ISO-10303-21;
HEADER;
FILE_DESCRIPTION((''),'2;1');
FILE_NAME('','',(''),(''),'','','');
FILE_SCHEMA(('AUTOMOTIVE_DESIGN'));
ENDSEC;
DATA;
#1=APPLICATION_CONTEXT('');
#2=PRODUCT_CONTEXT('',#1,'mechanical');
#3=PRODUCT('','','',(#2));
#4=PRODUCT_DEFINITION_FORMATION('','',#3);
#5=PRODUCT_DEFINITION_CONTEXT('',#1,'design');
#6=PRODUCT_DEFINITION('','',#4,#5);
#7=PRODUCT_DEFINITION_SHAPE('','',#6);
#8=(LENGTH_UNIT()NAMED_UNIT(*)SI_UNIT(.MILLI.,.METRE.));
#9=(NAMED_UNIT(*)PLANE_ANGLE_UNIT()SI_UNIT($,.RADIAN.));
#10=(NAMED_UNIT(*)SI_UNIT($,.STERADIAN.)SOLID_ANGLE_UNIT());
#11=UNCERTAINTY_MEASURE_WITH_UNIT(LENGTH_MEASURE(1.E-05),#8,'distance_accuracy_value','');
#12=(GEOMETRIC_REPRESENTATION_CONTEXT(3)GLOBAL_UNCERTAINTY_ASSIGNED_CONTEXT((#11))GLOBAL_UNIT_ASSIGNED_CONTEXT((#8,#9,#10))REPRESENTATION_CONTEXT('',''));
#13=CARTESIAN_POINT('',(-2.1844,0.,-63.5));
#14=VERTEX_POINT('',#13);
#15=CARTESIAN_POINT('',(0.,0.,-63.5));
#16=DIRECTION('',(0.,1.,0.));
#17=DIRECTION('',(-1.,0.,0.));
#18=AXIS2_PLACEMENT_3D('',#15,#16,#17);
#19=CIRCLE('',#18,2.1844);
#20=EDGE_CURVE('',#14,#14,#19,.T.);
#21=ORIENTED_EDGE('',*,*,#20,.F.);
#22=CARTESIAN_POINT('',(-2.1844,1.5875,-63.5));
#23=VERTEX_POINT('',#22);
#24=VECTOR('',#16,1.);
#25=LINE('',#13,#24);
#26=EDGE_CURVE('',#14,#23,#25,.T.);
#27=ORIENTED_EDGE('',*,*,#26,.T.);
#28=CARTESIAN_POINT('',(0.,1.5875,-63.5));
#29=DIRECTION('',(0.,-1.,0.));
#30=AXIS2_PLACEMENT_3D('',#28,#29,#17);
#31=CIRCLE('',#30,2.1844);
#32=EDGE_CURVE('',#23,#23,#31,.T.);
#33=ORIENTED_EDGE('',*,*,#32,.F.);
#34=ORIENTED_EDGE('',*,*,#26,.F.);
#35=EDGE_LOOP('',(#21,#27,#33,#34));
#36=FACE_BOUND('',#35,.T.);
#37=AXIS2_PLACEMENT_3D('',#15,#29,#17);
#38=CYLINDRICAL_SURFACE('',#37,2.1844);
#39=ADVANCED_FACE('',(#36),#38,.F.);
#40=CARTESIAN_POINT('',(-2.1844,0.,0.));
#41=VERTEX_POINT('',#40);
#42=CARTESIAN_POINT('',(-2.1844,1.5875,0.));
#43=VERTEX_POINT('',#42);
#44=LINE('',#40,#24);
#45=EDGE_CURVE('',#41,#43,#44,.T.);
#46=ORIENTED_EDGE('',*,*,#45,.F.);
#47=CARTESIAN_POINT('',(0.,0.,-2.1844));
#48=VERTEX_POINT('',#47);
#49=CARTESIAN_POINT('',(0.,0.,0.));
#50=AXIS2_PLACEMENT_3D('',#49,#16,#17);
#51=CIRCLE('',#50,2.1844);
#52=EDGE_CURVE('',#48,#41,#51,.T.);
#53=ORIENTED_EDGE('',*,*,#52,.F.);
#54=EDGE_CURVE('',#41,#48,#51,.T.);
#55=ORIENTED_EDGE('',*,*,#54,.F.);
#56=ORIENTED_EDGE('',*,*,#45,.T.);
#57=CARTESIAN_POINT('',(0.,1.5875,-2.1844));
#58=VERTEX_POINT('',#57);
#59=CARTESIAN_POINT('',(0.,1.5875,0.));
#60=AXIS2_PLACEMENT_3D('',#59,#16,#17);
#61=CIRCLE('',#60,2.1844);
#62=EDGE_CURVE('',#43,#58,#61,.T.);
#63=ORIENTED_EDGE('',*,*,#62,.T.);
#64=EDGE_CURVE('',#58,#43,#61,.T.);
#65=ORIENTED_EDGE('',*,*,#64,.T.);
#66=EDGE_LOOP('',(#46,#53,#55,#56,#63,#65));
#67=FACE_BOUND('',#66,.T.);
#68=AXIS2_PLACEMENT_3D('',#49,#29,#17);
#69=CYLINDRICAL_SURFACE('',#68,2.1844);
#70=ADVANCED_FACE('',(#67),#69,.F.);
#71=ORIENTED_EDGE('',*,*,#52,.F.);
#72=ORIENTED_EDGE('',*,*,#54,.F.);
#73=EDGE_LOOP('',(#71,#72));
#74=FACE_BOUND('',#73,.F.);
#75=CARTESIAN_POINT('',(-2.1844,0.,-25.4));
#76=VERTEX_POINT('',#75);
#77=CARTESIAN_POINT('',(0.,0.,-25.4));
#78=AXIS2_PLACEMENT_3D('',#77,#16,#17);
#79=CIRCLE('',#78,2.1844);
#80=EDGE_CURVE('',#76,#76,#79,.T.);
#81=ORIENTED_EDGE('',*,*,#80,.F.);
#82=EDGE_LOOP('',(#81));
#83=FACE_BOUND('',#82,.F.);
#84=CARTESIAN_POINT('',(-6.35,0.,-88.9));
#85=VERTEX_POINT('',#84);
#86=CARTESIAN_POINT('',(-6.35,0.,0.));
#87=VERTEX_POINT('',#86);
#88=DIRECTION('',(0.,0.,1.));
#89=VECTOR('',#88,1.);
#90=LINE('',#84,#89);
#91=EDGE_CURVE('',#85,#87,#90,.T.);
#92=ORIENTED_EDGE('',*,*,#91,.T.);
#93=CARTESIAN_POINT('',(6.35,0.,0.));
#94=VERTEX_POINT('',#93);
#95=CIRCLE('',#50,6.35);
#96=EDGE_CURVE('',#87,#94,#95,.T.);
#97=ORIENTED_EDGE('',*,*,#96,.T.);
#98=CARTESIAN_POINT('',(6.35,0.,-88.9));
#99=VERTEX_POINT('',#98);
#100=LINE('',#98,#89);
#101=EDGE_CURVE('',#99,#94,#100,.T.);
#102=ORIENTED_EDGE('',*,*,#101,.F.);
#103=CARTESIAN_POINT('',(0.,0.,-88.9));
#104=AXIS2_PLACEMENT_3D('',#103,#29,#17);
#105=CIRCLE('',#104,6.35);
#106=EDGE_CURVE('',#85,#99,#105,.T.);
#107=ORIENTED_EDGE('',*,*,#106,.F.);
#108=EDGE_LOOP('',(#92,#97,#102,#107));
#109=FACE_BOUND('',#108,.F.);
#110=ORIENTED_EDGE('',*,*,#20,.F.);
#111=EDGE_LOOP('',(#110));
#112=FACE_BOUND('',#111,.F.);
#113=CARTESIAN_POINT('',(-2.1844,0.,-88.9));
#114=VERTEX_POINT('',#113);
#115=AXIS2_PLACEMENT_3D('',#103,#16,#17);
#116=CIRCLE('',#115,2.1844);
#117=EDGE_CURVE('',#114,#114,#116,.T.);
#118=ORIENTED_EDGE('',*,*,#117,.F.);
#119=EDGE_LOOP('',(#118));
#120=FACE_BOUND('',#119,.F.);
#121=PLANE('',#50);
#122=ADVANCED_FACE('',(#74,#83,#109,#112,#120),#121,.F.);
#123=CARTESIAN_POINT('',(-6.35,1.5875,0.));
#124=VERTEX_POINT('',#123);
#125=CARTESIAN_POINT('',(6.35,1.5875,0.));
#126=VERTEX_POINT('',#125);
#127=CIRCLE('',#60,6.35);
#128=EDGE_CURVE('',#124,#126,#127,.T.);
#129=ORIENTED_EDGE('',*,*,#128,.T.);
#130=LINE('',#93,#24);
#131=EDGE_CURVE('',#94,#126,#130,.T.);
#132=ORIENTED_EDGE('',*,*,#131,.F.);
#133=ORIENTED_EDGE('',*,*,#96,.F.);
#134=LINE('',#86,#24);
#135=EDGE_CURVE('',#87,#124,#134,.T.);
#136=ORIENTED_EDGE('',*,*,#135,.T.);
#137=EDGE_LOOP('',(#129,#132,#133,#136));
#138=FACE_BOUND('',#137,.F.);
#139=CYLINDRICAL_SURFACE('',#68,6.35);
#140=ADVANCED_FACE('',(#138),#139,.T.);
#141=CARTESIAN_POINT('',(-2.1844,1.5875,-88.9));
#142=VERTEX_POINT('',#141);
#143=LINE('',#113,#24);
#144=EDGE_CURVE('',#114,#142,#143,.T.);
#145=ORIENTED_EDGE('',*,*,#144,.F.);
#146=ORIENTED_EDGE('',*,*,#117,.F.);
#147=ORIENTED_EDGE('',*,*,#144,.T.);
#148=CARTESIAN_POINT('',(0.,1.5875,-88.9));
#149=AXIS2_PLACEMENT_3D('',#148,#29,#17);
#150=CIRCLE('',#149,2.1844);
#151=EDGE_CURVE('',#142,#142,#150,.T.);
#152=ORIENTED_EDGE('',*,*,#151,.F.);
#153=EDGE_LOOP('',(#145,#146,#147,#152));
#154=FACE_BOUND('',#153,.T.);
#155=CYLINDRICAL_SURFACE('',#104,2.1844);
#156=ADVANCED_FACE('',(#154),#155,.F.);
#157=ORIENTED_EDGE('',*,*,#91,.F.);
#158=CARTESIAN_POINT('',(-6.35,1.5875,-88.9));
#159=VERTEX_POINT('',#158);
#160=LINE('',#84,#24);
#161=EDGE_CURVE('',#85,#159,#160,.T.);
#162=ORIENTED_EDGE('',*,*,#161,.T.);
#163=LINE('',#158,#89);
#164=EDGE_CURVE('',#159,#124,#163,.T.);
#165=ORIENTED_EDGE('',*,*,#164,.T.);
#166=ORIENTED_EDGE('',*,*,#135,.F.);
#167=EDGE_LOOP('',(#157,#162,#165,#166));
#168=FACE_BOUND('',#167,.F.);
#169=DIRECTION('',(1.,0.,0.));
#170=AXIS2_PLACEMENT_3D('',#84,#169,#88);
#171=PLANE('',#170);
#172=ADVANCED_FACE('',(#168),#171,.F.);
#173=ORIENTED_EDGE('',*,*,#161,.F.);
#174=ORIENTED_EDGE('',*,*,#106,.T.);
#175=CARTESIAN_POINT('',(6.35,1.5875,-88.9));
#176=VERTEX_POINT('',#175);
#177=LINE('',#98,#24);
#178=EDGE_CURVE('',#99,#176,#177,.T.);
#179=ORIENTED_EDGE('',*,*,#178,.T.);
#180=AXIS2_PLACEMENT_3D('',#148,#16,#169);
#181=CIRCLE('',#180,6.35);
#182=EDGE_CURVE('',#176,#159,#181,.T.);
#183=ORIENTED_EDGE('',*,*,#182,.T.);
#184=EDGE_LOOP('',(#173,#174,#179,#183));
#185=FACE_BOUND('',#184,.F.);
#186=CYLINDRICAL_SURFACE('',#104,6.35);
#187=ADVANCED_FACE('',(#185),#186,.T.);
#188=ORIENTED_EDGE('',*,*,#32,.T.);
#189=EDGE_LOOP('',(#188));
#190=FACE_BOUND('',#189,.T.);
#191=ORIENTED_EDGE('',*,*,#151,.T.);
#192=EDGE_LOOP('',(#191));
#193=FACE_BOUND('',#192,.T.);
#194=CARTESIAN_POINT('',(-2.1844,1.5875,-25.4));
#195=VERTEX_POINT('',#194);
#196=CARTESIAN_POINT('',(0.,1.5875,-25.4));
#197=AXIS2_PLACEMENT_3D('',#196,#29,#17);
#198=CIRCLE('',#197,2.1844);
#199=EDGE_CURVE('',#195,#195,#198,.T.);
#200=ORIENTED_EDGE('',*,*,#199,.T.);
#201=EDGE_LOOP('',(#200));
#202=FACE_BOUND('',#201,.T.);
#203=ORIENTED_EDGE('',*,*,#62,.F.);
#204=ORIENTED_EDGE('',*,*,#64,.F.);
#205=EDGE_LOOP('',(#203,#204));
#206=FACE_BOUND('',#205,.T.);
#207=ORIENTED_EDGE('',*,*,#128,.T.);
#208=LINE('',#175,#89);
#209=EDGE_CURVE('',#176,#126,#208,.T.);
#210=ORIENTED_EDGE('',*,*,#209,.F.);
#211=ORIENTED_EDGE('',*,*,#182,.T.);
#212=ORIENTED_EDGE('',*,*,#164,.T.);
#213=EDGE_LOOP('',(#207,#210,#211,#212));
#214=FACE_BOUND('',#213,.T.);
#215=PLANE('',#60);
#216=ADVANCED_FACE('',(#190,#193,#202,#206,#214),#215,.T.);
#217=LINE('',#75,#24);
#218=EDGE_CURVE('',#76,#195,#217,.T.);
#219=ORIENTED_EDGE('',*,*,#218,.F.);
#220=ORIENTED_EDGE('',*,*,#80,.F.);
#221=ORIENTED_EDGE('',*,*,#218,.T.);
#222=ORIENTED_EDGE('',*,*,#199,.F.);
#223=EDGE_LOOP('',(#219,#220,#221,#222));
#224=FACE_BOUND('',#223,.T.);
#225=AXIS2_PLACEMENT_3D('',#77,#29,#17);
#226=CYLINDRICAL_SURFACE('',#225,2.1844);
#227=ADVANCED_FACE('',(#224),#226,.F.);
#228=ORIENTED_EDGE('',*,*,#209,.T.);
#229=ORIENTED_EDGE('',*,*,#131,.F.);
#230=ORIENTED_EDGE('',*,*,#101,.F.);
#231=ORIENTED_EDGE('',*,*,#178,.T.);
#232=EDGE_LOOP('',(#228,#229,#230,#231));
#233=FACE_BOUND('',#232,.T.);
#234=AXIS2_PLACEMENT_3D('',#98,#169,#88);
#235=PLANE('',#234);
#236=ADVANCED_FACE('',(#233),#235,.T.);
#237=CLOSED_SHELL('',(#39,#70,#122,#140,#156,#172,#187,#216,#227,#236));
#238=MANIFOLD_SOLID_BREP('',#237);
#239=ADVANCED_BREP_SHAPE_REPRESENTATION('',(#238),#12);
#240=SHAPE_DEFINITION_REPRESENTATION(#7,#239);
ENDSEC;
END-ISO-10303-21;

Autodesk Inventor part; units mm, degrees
ref_plane "YZ Plane" through (0, 0, 0) normal (1, 0, 0) x (0, 1, 0)
ref_plane "XZ Plane" through (0, 0, 0) normal (0, 1, 0) x (-1, 0, 0)
ref_plane "XY Plane" through (0, 0, 0) normal (0, 0, 1) x (1, 0, 0)
sketch "Sketch1" plane through (0, 0, 0) normal (0, 1, 0) x (-1, 0, 0)
  line L0 (0, 0) -> (0, -25.4)
  line L1 (0, -25.4) -> (0, -63.5)
  line L2 (0, -63.5) -> (0, -88.9)
  line L3 (0, -88.9) -> (0, -114.3)
  circle A0 centre (0, 0) radius 2.1844
  circle A1 centre (0, -25.4) radius 2.1844
  circle A2 centre (0, -63.5) radius 2.1844
  circle A3 centre (0, 0) radius 6.35
  circle A4 centre (0, -88.9) radius 2.1844
  circle A5 centre (0, -88.9) radius 6.35
  line L4 (6.35, -88.9) -> (6.35, 0)
  line L5 (-6.35, -88.9) -> (-6.35, 0)
  dimension "d0" = 25.4
  dimension "d1" = 38.1
  dimension "d2" = 25.4
  dimension "d3" = 25.4
  dimension "d4" = 4.3688
  dimension "d5" = 4.3688
  dimension "d6" = 4.3688
  dimension "d8" = 12.7
  dimension "d12" = 4.3688
extrude "Extrusion1" add sketch "Sketch1" along normal blind 1.5875 contours A3 | A3 L4 A5 L2 A2 L1 A1 L0 | L0 A1 L1 A2 L2 A5 L5 A3 | A5 L2 A4 L3 | A5 L3 A4 L2
properties part number "ASD"
